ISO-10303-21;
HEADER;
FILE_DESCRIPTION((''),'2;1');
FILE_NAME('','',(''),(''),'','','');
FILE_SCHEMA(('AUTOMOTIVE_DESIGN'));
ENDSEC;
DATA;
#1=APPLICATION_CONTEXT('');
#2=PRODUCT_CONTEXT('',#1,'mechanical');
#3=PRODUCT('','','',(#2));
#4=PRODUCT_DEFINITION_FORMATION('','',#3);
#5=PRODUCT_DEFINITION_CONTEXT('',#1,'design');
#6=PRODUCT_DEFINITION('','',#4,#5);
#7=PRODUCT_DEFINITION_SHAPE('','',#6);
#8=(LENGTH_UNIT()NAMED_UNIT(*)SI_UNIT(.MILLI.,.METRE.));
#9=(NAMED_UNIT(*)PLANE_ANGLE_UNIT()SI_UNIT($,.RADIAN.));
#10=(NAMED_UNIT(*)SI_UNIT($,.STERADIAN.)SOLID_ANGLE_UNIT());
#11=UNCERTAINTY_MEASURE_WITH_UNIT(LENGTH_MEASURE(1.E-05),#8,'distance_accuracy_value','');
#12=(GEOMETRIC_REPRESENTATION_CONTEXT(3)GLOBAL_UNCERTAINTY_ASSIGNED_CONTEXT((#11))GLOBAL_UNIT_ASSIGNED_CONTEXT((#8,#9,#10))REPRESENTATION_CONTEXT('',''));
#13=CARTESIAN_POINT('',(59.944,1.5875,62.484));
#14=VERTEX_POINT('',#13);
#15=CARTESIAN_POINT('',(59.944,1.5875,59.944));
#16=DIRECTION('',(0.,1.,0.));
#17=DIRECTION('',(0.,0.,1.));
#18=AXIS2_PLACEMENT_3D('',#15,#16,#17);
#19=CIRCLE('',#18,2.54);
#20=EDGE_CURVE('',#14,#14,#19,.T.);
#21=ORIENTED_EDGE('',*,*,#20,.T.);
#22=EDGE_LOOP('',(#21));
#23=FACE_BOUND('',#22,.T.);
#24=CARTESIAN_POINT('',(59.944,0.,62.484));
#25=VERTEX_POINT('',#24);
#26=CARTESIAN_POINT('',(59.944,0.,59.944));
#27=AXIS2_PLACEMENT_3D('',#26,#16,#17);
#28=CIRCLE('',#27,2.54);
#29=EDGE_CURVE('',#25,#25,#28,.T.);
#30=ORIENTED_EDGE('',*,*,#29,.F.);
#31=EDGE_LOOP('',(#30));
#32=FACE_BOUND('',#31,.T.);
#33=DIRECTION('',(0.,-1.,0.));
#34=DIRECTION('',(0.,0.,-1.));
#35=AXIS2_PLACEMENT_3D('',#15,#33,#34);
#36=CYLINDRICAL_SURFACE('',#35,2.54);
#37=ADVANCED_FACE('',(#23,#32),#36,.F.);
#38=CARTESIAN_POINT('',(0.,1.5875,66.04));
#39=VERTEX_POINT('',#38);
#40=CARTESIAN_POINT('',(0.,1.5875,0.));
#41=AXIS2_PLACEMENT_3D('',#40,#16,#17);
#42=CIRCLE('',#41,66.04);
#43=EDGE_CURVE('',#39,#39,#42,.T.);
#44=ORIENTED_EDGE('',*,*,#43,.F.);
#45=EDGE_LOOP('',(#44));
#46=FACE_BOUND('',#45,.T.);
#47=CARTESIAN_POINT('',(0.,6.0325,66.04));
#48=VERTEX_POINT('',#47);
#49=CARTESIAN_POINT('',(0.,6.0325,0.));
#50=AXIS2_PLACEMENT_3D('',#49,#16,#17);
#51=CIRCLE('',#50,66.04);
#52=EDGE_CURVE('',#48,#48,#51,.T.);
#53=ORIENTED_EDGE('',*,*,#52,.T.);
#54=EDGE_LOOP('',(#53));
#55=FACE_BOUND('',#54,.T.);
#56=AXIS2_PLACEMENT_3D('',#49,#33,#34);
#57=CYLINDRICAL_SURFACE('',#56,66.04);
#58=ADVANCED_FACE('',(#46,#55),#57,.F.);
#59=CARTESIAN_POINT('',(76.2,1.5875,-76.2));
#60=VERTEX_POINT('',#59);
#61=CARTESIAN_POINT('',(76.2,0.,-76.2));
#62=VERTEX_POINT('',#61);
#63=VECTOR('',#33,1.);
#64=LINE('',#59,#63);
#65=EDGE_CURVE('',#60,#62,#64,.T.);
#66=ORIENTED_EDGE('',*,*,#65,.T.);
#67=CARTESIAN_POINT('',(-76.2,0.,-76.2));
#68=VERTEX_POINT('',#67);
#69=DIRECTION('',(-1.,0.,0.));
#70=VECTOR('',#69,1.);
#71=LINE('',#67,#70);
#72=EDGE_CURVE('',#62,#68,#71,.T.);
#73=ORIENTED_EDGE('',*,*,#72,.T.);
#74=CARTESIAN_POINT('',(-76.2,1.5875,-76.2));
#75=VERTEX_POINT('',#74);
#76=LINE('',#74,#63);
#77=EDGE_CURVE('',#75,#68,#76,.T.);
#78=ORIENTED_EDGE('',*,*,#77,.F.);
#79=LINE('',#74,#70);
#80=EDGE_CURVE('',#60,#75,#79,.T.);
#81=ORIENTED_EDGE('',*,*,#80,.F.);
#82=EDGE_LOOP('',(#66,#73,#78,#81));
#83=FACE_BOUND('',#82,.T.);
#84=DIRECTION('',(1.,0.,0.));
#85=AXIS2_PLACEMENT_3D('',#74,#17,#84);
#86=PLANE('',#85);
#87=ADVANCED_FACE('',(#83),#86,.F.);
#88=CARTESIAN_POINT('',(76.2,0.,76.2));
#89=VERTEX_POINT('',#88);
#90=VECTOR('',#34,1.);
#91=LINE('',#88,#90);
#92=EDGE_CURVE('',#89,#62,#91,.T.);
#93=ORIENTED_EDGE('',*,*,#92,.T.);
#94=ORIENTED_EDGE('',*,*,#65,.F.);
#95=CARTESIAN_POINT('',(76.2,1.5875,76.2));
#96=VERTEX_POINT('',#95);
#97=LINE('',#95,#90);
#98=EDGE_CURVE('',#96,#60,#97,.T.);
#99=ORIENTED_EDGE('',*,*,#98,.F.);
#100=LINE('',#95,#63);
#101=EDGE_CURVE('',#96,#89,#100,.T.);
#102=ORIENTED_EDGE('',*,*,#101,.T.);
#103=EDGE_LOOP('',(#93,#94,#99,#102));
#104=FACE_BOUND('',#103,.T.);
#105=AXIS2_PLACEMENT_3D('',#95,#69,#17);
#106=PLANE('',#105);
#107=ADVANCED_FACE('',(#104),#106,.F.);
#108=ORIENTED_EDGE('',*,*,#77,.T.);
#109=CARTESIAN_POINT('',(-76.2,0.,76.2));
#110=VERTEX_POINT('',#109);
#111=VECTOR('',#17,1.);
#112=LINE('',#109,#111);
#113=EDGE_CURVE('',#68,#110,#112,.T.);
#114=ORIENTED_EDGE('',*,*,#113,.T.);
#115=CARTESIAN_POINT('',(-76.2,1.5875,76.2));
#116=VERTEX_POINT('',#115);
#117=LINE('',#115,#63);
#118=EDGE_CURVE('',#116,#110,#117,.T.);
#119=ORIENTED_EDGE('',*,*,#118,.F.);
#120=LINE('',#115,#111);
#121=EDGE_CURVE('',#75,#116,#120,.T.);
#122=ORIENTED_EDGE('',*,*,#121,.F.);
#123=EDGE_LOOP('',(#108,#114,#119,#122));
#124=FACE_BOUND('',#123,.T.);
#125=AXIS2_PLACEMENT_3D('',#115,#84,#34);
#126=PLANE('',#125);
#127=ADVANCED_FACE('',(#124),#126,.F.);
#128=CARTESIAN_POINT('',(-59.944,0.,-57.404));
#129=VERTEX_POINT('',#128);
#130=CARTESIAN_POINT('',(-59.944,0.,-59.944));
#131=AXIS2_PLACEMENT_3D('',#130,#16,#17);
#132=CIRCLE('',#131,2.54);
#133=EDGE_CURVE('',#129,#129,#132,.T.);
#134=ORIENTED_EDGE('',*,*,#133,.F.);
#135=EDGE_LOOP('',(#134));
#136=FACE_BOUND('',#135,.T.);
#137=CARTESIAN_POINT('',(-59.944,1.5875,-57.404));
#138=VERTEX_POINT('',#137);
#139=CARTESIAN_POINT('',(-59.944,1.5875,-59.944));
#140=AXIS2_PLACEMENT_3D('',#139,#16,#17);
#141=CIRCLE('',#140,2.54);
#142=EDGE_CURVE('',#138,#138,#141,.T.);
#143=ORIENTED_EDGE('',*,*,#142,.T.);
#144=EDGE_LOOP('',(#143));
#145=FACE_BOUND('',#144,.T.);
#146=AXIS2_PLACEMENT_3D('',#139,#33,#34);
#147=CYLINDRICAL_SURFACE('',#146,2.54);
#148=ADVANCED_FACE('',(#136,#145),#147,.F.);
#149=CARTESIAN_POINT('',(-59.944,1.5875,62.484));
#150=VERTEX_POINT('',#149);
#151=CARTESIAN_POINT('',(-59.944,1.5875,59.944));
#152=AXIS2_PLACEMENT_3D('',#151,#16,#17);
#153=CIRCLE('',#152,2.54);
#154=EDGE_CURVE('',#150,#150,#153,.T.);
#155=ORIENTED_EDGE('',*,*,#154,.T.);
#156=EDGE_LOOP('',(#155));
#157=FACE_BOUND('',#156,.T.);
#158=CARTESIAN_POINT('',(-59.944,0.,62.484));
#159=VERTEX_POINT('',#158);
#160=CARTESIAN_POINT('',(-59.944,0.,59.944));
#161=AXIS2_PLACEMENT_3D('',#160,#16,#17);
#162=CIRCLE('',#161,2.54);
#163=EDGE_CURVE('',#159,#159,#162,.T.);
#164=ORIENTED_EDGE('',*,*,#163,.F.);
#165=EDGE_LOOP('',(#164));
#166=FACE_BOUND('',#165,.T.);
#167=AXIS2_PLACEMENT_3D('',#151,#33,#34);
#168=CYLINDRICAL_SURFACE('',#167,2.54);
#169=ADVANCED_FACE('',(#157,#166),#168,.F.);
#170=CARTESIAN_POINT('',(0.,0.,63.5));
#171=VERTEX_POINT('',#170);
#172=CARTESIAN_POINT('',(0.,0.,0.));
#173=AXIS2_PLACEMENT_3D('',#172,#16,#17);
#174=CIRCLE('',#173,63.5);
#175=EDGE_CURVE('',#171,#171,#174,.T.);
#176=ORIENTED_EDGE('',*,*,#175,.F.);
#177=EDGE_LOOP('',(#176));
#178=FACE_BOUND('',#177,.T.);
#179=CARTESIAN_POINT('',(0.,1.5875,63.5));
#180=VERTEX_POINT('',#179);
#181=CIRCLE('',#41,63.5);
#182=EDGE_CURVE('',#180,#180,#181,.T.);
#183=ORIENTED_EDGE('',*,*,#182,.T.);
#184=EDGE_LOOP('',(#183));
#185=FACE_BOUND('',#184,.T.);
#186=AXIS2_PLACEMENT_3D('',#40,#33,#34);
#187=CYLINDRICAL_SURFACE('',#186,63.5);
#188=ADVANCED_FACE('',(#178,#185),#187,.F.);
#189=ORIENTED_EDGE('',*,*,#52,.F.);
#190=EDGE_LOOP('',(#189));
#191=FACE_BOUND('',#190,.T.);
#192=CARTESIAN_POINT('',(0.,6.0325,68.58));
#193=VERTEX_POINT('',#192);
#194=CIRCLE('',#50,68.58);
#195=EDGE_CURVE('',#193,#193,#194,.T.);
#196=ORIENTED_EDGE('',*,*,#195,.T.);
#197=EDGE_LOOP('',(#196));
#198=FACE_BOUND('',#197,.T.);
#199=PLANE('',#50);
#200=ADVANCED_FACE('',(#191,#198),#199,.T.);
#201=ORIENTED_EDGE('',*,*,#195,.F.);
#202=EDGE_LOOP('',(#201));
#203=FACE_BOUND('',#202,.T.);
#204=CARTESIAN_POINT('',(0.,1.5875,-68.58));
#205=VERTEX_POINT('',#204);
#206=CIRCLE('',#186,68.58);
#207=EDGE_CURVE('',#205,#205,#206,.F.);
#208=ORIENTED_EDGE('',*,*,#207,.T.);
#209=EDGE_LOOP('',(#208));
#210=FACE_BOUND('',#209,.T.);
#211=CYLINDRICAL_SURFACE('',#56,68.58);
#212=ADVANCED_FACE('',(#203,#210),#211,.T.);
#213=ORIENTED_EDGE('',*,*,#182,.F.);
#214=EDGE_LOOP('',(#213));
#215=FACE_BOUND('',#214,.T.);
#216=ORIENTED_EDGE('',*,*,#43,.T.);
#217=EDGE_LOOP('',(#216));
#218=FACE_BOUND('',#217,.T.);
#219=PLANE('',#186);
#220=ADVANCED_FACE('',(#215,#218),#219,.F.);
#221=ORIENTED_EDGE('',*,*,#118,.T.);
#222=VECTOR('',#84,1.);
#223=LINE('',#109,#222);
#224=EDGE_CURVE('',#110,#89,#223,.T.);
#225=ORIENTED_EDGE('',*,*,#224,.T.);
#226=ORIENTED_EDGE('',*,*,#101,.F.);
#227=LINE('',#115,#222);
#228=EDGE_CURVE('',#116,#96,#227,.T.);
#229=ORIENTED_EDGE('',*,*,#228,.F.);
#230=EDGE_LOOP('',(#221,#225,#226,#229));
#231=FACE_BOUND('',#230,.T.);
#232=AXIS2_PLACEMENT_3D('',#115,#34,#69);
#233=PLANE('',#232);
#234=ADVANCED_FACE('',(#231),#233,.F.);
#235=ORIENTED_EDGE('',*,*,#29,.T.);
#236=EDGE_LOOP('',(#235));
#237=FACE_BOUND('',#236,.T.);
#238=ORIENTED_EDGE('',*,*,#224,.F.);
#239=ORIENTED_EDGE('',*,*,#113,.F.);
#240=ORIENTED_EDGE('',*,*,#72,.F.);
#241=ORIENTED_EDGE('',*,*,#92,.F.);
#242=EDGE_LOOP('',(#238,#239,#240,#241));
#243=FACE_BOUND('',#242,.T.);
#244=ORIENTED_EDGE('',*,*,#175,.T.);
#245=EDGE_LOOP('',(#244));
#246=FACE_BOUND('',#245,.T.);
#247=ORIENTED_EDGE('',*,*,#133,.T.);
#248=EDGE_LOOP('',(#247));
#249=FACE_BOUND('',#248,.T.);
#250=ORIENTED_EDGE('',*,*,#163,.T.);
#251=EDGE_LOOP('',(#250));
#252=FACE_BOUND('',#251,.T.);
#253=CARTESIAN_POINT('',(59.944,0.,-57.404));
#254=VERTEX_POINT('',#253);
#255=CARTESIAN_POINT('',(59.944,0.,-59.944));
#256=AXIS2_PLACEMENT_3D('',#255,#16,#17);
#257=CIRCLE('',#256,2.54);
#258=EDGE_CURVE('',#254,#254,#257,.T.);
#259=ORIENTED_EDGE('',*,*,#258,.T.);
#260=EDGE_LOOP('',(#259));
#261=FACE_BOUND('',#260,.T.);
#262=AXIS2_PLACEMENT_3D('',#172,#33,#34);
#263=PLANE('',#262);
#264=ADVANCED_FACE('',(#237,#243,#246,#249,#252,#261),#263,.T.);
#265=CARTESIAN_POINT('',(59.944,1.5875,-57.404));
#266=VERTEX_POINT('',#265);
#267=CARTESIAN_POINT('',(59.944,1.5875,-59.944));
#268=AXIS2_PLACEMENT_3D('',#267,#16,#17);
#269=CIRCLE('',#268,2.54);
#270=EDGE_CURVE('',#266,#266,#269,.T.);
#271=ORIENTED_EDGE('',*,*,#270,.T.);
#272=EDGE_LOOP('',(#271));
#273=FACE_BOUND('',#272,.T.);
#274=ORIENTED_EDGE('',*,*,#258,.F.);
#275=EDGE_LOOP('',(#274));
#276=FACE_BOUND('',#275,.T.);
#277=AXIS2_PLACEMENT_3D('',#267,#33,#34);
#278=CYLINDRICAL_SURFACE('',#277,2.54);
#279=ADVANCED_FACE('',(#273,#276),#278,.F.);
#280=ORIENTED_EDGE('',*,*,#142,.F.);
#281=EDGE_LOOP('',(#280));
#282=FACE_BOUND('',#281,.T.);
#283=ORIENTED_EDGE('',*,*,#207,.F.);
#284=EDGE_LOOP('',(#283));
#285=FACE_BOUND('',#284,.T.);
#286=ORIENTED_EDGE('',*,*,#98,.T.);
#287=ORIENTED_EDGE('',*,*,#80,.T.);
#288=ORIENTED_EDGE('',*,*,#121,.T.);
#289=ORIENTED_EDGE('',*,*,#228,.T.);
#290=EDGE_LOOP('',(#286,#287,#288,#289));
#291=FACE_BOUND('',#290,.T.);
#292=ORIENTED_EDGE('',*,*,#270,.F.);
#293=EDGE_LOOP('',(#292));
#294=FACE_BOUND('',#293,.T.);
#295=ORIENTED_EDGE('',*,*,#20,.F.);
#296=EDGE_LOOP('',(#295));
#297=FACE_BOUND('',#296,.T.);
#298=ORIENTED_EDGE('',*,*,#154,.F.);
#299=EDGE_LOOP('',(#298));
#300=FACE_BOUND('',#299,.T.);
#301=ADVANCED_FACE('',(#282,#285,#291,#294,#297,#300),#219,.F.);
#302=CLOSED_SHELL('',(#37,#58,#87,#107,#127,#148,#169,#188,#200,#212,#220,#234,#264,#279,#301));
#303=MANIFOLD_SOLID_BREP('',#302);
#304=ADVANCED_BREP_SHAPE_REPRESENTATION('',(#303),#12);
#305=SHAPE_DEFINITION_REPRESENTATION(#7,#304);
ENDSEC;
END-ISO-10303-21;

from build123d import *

# Parameters (mm, degrees)
SKETCH1_W           = 152.4
SKETCH1_H           = 152.4
SKETCH1_R           = 63.5
SKETCH1_R_2         = 2.54
BOSS_EXTRUDE1_DEPTH = 1.5875
SKETCH2_R           = 68.58
SKETCH2_R_2         = 66.04
BOSS_EXTRUDE2_DEPTH = 4.445


with BuildPart() as part:
    # Sketch1 → Boss-Extrude1 (new body)
    with BuildSketch(Plane(origin=(0, 0, 0), x_dir=(1, 0, 0), z_dir=(0, 1, 0))):
        Rectangle(SKETCH1_W, SKETCH1_H)
        Circle(SKETCH1_R, mode=Mode.SUBTRACT)
        with Locations((-59.944, 59.944)):
            Circle(SKETCH1_R_2, mode=Mode.SUBTRACT)
        with Locations((59.944, 59.944)):
            Circle(SKETCH1_R_2, mode=Mode.SUBTRACT)
        with Locations((59.944, -59.944)):
            Circle(SKETCH1_R_2, mode=Mode.SUBTRACT)
        with Locations((-59.944, -59.944)):
            Circle(SKETCH1_R_2, mode=Mode.SUBTRACT)
    extrude(amount=BOSS_EXTRUDE1_DEPTH)

    # Sketch2 → Boss-Extrude2 (add)
    with BuildSketch(Plane(origin=(0, 1.5875, 0), x_dir=(1, 0, 0), z_dir=(0, 1, 0))):
        Circle(SKETCH2_R)
        Circle(SKETCH2_R_2, mode=Mode.SUBTRACT)
    extrude(amount=BOSS_EXTRUDE2_DEPTH)


solid = part.part
